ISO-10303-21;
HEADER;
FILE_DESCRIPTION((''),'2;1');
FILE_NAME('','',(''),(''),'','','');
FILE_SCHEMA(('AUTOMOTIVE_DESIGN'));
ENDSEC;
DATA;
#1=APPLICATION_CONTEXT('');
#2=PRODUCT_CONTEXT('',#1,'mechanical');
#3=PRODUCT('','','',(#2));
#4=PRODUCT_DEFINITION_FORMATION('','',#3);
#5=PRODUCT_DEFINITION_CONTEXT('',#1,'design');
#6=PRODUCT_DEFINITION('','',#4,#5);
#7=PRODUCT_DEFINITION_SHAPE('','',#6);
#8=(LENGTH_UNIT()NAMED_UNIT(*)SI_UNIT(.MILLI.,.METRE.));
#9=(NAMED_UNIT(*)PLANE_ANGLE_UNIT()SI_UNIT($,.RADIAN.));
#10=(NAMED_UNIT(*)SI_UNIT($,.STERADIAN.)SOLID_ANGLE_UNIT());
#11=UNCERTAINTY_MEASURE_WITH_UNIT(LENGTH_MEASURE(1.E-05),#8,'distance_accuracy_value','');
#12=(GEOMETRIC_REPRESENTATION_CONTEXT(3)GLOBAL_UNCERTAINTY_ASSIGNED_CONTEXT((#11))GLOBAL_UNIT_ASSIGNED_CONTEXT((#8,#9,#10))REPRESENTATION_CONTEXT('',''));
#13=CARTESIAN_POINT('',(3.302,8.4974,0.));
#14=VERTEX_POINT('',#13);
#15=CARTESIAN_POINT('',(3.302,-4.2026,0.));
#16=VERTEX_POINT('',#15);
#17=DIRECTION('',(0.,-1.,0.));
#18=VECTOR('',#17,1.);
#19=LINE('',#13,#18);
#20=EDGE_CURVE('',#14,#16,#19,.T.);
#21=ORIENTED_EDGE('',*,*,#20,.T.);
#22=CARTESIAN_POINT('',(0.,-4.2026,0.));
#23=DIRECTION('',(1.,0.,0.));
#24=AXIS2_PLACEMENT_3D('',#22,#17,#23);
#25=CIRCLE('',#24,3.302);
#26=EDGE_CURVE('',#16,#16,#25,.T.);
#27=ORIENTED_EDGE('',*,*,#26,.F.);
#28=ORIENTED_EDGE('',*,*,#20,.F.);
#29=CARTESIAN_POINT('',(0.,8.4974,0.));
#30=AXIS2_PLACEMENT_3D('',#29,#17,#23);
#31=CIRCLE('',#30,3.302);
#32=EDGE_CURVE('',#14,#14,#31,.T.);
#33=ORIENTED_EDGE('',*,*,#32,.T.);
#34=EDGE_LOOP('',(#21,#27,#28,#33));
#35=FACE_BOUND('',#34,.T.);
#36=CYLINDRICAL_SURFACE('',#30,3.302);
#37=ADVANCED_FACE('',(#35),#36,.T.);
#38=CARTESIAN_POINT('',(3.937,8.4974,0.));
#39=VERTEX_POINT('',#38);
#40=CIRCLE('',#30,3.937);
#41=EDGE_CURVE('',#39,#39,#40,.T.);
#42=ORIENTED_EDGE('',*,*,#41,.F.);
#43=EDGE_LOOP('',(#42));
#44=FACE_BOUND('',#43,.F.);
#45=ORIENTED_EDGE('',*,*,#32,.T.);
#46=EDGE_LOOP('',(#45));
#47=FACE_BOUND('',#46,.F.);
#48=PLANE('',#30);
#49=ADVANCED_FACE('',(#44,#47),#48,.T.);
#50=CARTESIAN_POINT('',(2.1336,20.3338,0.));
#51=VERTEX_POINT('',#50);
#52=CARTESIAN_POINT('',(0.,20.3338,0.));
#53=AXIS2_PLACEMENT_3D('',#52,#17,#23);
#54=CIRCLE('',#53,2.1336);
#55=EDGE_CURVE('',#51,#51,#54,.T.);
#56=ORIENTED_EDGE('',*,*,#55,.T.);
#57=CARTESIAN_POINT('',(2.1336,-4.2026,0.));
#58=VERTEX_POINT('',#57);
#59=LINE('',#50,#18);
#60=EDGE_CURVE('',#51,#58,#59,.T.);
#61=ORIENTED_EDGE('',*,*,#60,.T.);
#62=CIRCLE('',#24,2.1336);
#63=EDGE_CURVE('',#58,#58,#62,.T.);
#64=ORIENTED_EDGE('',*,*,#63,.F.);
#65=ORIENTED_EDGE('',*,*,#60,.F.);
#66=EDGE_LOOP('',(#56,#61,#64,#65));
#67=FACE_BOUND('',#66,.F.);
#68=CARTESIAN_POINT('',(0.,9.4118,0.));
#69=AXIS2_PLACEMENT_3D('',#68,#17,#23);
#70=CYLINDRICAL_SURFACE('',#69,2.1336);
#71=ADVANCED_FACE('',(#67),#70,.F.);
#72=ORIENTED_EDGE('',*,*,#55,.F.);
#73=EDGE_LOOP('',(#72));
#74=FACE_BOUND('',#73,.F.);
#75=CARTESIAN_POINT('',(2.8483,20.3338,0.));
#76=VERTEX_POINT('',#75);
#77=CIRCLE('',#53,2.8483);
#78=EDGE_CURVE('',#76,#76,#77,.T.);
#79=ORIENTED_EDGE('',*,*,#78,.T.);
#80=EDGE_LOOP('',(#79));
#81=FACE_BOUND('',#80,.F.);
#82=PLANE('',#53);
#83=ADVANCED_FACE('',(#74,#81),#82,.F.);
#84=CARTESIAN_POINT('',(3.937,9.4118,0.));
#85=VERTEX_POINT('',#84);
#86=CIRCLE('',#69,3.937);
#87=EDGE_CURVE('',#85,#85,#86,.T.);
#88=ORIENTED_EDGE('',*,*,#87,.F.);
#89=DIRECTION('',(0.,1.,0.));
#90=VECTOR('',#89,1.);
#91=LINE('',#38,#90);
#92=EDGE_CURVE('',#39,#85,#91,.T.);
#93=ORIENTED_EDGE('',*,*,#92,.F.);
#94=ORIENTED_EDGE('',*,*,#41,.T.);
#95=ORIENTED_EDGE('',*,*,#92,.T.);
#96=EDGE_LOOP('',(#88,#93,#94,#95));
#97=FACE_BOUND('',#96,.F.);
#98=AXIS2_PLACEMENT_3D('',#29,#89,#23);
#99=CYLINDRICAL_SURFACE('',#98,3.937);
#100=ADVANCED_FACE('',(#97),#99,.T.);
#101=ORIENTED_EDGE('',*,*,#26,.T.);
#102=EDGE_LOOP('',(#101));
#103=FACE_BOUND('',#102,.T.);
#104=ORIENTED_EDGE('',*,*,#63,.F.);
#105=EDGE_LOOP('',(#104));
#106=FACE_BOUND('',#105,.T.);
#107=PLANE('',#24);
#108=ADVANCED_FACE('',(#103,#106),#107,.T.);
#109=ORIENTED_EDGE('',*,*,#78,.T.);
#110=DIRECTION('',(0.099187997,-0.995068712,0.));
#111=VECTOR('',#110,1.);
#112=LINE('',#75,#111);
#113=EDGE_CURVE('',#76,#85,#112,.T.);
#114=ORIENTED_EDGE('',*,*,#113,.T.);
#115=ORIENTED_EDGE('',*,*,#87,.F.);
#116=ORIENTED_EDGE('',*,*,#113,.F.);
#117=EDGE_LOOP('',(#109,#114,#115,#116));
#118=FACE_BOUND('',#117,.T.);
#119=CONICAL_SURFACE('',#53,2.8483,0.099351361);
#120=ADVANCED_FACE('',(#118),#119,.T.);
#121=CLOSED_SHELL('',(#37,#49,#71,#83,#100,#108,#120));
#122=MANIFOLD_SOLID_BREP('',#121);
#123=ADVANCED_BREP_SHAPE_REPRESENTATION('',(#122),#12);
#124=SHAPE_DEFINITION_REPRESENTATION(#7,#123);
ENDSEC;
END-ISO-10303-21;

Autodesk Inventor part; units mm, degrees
ref_plane "YZ Plane" through (0, 0, 0) normal (1, 0, 0) x (0, 1, 0)
ref_plane "XZ Plane" through (0, 0, 0) normal (0, 1, 0) x (-1, 0, 0)
ref_plane "XY Plane" through (0, 0, 0) normal (0, 0, 1) x (1, 0, 0)
sketch "Sketch1" plane through (0, 0, 0) normal (0, 0, 1) x (1, 0, 0)
  line L0 (0, 0) -> (0, -4.2026)
  line L1 (2.1336, 8.4974) -> (3.302, 8.4974)
  line L2 (3.302, 8.4974) -> (3.302, -4.2026)
  line L3 (3.302, -4.2026) -> (2.1336, -4.2026)
  line L4 (2.1336, -4.2026) -> (2.1336, 8.4974)
  line L5 (2.1336, 8.4974) -> (3.937, 8.4974)
  line L6 (3.937, 8.4974) -> (3.937, 9.4118)
  line L7 (3.937, 9.4118) -> (2.1336, 9.4118)
  line L8 (2.1336, 9.4118) -> (2.1336, 8.4974)
  line L9 (2.8483, 20.3338) -> (2.1336, 20.3338)
  line L10 (2.1336, 20.3338) -> (2.1336, 16.0248)
  line L11 (2.8483, 20.3338) -> (3.937, 9.4118)
  line L12 (2.1336, 16.0248) -> (2.1336, 9.3134)
  dimension "d0" = 3.302
  dimension "d1" = 2.1336
  dimension "d2" = 12.7
  dimension "d3" = 3.937
  dimension "d4" = 0.9144
  dimension "d6" = 10.922
revolve "Revolution1" add sketch "Sketch1" angle 360 about axis through (0, 0, 0) along (0, -1, 0)
properties part number "Barrel to Tip Stopper"
